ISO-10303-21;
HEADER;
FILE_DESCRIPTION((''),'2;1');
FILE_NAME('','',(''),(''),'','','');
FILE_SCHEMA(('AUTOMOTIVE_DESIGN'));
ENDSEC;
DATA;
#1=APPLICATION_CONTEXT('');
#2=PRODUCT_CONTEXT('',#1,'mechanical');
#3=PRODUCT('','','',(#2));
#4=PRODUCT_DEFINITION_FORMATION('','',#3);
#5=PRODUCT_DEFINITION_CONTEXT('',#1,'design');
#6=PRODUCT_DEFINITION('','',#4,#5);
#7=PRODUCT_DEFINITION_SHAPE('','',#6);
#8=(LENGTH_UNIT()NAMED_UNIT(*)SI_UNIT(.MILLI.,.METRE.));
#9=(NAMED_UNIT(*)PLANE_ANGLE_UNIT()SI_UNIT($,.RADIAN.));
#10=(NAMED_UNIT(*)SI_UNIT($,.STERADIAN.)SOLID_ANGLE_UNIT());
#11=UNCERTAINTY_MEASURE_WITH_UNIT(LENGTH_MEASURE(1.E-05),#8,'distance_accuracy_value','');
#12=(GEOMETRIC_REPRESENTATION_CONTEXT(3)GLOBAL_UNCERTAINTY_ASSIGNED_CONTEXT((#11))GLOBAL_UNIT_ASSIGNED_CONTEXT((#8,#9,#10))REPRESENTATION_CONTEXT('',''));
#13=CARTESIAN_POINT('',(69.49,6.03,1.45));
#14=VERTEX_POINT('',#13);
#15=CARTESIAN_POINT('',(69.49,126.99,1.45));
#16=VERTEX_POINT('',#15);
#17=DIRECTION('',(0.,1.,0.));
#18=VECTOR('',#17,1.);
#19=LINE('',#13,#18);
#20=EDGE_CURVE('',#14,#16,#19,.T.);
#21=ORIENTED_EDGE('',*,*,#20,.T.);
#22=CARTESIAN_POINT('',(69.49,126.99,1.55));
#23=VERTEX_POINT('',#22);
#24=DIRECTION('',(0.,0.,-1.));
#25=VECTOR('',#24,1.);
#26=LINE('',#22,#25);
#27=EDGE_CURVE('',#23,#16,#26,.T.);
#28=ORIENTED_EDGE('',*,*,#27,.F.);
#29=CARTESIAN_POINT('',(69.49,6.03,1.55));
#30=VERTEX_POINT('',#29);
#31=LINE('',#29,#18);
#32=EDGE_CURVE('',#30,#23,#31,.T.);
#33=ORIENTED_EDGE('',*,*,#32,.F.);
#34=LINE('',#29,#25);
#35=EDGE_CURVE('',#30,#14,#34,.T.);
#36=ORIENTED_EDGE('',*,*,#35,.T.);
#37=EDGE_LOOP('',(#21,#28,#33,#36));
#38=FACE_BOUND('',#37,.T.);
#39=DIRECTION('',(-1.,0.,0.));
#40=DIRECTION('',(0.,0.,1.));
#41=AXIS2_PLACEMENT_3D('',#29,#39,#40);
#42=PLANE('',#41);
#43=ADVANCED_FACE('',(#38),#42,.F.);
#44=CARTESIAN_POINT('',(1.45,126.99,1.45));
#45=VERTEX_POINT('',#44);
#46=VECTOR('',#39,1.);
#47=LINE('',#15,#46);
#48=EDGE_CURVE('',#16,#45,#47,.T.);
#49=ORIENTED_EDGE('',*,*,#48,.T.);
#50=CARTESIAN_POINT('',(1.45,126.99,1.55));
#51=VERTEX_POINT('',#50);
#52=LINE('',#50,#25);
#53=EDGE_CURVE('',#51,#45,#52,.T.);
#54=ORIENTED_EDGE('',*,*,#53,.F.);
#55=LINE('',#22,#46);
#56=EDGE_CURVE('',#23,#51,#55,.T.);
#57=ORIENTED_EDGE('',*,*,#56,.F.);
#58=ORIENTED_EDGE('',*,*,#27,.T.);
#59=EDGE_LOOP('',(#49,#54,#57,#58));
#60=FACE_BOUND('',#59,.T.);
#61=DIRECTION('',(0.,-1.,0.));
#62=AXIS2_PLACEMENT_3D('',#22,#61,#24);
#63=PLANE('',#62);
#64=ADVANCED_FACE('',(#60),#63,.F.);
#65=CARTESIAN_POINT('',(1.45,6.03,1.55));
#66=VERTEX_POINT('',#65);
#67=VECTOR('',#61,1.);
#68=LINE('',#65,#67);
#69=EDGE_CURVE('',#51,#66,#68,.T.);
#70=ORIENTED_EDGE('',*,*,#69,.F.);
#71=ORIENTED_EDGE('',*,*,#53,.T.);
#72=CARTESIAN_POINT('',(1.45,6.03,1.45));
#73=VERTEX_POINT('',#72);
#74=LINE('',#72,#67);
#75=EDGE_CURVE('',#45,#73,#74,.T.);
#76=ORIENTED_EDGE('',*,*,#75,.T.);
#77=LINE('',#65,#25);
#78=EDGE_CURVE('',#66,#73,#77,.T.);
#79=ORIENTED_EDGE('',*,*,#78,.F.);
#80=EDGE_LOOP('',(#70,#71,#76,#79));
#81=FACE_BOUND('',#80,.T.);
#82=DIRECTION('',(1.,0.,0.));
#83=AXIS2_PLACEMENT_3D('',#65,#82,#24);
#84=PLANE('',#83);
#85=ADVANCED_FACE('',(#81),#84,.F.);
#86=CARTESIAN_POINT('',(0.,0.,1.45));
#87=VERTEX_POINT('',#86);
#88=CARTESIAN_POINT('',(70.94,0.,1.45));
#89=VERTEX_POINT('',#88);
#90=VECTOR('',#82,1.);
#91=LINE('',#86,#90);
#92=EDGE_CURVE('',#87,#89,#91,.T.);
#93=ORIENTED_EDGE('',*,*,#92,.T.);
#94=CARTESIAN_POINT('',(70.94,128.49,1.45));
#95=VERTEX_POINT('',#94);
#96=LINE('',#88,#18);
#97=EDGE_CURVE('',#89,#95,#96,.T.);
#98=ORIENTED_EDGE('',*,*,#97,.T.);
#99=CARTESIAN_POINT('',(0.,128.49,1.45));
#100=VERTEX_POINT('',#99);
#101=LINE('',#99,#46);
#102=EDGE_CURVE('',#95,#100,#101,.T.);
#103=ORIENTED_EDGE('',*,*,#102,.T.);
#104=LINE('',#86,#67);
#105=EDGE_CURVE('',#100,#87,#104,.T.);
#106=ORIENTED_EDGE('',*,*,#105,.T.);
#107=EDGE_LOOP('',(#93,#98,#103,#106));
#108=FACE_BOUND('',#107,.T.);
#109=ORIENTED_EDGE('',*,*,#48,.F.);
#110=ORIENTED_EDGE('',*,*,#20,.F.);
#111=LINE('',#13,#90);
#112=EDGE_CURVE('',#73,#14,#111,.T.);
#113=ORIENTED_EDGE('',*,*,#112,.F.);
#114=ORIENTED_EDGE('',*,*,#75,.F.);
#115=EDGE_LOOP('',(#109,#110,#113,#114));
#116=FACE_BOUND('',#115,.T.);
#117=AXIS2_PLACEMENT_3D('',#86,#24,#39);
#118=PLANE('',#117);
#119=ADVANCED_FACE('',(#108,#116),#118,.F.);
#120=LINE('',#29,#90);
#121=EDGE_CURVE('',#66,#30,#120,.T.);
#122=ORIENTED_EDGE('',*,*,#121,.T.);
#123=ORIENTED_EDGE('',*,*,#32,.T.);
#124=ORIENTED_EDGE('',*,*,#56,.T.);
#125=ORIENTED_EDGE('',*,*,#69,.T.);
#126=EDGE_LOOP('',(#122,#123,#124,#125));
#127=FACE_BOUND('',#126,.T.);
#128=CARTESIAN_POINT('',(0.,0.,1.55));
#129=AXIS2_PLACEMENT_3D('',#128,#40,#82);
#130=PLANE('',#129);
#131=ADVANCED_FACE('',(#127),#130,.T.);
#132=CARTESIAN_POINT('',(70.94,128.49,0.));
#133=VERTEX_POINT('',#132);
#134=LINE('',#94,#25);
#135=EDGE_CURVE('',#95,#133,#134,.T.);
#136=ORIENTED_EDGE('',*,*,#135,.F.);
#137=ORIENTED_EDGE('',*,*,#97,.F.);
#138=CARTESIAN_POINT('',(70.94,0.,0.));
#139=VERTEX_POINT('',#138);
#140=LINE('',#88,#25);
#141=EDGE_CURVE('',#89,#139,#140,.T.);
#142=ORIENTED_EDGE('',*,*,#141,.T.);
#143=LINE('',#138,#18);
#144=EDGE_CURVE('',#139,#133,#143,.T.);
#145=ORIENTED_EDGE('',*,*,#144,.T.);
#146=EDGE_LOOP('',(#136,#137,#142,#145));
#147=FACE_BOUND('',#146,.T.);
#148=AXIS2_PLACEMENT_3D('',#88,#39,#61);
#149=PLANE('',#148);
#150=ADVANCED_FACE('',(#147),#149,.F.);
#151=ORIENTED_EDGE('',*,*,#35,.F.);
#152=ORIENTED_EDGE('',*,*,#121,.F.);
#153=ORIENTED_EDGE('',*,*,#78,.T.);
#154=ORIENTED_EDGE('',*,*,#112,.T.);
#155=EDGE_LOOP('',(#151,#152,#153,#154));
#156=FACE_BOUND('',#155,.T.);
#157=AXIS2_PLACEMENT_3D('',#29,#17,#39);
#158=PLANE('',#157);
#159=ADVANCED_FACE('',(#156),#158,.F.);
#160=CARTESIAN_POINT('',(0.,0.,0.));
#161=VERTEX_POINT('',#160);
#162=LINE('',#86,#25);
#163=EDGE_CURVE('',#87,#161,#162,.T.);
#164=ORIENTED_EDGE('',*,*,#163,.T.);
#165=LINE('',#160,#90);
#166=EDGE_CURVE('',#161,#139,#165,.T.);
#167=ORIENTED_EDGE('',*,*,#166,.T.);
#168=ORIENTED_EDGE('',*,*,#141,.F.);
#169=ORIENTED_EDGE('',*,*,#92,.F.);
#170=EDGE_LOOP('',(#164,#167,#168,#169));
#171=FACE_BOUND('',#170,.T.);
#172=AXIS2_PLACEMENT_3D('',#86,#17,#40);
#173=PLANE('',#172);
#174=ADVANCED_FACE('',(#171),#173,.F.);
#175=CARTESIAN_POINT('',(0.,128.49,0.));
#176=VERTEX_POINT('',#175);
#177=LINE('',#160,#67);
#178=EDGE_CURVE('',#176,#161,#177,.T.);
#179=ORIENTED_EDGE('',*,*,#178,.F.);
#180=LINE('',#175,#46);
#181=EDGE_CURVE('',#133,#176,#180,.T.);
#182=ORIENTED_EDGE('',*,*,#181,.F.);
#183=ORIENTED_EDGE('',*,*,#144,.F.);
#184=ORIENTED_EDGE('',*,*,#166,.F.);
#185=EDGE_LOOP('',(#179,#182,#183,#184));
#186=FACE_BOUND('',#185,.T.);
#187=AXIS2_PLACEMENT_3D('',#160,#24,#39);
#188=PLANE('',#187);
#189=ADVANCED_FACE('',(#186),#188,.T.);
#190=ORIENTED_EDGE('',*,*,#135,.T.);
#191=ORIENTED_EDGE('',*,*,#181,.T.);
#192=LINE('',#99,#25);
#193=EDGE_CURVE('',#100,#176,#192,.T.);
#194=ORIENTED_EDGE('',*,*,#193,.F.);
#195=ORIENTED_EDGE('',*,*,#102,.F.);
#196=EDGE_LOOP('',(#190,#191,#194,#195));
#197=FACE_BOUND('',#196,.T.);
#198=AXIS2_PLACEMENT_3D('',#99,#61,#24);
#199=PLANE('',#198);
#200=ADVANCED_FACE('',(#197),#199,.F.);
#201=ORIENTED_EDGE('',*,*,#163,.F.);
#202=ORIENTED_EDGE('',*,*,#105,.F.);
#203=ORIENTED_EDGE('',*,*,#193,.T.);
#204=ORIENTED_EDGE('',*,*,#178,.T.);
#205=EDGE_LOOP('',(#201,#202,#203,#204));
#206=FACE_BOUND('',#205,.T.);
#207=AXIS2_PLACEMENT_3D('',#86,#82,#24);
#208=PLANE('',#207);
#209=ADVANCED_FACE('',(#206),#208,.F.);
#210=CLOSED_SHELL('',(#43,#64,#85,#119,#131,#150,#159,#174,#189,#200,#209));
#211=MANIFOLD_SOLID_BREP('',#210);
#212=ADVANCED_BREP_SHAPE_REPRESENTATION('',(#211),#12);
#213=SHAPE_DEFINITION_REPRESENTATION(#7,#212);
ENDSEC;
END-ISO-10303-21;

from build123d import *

# Parameters (mm, degrees)
ESQUISSE1_W        = 70.94
ESQUISSE1_H        = 128.49
BOSS_EXTRU_1_DEPTH = 1.45
ESQUISSE2_W        = 68.04
ESQUISSE2_H        = 120.96
BOSS_EXTRU_2_DEPTH = 0.1


with BuildPart() as part:
    # Esquisse1 → Boss.-Extru.1 (new body)
    with BuildSketch(Plane.XY):
        with Locations((35.47, 64.245)):
            Rectangle(ESQUISSE1_W, ESQUISSE1_H)
    extrude(amount=BOSS_EXTRU_1_DEPTH)

    # Esquisse2 → Boss.-Extru.2 (add)
    with BuildSketch(Plane.XY.offset(1.45)):
        with Locations((35.47, 66.51)):
            Rectangle(ESQUISSE2_W, ESQUISSE2_H)
    extrude(amount=BOSS_EXTRU_2_DEPTH)


solid = part.part
